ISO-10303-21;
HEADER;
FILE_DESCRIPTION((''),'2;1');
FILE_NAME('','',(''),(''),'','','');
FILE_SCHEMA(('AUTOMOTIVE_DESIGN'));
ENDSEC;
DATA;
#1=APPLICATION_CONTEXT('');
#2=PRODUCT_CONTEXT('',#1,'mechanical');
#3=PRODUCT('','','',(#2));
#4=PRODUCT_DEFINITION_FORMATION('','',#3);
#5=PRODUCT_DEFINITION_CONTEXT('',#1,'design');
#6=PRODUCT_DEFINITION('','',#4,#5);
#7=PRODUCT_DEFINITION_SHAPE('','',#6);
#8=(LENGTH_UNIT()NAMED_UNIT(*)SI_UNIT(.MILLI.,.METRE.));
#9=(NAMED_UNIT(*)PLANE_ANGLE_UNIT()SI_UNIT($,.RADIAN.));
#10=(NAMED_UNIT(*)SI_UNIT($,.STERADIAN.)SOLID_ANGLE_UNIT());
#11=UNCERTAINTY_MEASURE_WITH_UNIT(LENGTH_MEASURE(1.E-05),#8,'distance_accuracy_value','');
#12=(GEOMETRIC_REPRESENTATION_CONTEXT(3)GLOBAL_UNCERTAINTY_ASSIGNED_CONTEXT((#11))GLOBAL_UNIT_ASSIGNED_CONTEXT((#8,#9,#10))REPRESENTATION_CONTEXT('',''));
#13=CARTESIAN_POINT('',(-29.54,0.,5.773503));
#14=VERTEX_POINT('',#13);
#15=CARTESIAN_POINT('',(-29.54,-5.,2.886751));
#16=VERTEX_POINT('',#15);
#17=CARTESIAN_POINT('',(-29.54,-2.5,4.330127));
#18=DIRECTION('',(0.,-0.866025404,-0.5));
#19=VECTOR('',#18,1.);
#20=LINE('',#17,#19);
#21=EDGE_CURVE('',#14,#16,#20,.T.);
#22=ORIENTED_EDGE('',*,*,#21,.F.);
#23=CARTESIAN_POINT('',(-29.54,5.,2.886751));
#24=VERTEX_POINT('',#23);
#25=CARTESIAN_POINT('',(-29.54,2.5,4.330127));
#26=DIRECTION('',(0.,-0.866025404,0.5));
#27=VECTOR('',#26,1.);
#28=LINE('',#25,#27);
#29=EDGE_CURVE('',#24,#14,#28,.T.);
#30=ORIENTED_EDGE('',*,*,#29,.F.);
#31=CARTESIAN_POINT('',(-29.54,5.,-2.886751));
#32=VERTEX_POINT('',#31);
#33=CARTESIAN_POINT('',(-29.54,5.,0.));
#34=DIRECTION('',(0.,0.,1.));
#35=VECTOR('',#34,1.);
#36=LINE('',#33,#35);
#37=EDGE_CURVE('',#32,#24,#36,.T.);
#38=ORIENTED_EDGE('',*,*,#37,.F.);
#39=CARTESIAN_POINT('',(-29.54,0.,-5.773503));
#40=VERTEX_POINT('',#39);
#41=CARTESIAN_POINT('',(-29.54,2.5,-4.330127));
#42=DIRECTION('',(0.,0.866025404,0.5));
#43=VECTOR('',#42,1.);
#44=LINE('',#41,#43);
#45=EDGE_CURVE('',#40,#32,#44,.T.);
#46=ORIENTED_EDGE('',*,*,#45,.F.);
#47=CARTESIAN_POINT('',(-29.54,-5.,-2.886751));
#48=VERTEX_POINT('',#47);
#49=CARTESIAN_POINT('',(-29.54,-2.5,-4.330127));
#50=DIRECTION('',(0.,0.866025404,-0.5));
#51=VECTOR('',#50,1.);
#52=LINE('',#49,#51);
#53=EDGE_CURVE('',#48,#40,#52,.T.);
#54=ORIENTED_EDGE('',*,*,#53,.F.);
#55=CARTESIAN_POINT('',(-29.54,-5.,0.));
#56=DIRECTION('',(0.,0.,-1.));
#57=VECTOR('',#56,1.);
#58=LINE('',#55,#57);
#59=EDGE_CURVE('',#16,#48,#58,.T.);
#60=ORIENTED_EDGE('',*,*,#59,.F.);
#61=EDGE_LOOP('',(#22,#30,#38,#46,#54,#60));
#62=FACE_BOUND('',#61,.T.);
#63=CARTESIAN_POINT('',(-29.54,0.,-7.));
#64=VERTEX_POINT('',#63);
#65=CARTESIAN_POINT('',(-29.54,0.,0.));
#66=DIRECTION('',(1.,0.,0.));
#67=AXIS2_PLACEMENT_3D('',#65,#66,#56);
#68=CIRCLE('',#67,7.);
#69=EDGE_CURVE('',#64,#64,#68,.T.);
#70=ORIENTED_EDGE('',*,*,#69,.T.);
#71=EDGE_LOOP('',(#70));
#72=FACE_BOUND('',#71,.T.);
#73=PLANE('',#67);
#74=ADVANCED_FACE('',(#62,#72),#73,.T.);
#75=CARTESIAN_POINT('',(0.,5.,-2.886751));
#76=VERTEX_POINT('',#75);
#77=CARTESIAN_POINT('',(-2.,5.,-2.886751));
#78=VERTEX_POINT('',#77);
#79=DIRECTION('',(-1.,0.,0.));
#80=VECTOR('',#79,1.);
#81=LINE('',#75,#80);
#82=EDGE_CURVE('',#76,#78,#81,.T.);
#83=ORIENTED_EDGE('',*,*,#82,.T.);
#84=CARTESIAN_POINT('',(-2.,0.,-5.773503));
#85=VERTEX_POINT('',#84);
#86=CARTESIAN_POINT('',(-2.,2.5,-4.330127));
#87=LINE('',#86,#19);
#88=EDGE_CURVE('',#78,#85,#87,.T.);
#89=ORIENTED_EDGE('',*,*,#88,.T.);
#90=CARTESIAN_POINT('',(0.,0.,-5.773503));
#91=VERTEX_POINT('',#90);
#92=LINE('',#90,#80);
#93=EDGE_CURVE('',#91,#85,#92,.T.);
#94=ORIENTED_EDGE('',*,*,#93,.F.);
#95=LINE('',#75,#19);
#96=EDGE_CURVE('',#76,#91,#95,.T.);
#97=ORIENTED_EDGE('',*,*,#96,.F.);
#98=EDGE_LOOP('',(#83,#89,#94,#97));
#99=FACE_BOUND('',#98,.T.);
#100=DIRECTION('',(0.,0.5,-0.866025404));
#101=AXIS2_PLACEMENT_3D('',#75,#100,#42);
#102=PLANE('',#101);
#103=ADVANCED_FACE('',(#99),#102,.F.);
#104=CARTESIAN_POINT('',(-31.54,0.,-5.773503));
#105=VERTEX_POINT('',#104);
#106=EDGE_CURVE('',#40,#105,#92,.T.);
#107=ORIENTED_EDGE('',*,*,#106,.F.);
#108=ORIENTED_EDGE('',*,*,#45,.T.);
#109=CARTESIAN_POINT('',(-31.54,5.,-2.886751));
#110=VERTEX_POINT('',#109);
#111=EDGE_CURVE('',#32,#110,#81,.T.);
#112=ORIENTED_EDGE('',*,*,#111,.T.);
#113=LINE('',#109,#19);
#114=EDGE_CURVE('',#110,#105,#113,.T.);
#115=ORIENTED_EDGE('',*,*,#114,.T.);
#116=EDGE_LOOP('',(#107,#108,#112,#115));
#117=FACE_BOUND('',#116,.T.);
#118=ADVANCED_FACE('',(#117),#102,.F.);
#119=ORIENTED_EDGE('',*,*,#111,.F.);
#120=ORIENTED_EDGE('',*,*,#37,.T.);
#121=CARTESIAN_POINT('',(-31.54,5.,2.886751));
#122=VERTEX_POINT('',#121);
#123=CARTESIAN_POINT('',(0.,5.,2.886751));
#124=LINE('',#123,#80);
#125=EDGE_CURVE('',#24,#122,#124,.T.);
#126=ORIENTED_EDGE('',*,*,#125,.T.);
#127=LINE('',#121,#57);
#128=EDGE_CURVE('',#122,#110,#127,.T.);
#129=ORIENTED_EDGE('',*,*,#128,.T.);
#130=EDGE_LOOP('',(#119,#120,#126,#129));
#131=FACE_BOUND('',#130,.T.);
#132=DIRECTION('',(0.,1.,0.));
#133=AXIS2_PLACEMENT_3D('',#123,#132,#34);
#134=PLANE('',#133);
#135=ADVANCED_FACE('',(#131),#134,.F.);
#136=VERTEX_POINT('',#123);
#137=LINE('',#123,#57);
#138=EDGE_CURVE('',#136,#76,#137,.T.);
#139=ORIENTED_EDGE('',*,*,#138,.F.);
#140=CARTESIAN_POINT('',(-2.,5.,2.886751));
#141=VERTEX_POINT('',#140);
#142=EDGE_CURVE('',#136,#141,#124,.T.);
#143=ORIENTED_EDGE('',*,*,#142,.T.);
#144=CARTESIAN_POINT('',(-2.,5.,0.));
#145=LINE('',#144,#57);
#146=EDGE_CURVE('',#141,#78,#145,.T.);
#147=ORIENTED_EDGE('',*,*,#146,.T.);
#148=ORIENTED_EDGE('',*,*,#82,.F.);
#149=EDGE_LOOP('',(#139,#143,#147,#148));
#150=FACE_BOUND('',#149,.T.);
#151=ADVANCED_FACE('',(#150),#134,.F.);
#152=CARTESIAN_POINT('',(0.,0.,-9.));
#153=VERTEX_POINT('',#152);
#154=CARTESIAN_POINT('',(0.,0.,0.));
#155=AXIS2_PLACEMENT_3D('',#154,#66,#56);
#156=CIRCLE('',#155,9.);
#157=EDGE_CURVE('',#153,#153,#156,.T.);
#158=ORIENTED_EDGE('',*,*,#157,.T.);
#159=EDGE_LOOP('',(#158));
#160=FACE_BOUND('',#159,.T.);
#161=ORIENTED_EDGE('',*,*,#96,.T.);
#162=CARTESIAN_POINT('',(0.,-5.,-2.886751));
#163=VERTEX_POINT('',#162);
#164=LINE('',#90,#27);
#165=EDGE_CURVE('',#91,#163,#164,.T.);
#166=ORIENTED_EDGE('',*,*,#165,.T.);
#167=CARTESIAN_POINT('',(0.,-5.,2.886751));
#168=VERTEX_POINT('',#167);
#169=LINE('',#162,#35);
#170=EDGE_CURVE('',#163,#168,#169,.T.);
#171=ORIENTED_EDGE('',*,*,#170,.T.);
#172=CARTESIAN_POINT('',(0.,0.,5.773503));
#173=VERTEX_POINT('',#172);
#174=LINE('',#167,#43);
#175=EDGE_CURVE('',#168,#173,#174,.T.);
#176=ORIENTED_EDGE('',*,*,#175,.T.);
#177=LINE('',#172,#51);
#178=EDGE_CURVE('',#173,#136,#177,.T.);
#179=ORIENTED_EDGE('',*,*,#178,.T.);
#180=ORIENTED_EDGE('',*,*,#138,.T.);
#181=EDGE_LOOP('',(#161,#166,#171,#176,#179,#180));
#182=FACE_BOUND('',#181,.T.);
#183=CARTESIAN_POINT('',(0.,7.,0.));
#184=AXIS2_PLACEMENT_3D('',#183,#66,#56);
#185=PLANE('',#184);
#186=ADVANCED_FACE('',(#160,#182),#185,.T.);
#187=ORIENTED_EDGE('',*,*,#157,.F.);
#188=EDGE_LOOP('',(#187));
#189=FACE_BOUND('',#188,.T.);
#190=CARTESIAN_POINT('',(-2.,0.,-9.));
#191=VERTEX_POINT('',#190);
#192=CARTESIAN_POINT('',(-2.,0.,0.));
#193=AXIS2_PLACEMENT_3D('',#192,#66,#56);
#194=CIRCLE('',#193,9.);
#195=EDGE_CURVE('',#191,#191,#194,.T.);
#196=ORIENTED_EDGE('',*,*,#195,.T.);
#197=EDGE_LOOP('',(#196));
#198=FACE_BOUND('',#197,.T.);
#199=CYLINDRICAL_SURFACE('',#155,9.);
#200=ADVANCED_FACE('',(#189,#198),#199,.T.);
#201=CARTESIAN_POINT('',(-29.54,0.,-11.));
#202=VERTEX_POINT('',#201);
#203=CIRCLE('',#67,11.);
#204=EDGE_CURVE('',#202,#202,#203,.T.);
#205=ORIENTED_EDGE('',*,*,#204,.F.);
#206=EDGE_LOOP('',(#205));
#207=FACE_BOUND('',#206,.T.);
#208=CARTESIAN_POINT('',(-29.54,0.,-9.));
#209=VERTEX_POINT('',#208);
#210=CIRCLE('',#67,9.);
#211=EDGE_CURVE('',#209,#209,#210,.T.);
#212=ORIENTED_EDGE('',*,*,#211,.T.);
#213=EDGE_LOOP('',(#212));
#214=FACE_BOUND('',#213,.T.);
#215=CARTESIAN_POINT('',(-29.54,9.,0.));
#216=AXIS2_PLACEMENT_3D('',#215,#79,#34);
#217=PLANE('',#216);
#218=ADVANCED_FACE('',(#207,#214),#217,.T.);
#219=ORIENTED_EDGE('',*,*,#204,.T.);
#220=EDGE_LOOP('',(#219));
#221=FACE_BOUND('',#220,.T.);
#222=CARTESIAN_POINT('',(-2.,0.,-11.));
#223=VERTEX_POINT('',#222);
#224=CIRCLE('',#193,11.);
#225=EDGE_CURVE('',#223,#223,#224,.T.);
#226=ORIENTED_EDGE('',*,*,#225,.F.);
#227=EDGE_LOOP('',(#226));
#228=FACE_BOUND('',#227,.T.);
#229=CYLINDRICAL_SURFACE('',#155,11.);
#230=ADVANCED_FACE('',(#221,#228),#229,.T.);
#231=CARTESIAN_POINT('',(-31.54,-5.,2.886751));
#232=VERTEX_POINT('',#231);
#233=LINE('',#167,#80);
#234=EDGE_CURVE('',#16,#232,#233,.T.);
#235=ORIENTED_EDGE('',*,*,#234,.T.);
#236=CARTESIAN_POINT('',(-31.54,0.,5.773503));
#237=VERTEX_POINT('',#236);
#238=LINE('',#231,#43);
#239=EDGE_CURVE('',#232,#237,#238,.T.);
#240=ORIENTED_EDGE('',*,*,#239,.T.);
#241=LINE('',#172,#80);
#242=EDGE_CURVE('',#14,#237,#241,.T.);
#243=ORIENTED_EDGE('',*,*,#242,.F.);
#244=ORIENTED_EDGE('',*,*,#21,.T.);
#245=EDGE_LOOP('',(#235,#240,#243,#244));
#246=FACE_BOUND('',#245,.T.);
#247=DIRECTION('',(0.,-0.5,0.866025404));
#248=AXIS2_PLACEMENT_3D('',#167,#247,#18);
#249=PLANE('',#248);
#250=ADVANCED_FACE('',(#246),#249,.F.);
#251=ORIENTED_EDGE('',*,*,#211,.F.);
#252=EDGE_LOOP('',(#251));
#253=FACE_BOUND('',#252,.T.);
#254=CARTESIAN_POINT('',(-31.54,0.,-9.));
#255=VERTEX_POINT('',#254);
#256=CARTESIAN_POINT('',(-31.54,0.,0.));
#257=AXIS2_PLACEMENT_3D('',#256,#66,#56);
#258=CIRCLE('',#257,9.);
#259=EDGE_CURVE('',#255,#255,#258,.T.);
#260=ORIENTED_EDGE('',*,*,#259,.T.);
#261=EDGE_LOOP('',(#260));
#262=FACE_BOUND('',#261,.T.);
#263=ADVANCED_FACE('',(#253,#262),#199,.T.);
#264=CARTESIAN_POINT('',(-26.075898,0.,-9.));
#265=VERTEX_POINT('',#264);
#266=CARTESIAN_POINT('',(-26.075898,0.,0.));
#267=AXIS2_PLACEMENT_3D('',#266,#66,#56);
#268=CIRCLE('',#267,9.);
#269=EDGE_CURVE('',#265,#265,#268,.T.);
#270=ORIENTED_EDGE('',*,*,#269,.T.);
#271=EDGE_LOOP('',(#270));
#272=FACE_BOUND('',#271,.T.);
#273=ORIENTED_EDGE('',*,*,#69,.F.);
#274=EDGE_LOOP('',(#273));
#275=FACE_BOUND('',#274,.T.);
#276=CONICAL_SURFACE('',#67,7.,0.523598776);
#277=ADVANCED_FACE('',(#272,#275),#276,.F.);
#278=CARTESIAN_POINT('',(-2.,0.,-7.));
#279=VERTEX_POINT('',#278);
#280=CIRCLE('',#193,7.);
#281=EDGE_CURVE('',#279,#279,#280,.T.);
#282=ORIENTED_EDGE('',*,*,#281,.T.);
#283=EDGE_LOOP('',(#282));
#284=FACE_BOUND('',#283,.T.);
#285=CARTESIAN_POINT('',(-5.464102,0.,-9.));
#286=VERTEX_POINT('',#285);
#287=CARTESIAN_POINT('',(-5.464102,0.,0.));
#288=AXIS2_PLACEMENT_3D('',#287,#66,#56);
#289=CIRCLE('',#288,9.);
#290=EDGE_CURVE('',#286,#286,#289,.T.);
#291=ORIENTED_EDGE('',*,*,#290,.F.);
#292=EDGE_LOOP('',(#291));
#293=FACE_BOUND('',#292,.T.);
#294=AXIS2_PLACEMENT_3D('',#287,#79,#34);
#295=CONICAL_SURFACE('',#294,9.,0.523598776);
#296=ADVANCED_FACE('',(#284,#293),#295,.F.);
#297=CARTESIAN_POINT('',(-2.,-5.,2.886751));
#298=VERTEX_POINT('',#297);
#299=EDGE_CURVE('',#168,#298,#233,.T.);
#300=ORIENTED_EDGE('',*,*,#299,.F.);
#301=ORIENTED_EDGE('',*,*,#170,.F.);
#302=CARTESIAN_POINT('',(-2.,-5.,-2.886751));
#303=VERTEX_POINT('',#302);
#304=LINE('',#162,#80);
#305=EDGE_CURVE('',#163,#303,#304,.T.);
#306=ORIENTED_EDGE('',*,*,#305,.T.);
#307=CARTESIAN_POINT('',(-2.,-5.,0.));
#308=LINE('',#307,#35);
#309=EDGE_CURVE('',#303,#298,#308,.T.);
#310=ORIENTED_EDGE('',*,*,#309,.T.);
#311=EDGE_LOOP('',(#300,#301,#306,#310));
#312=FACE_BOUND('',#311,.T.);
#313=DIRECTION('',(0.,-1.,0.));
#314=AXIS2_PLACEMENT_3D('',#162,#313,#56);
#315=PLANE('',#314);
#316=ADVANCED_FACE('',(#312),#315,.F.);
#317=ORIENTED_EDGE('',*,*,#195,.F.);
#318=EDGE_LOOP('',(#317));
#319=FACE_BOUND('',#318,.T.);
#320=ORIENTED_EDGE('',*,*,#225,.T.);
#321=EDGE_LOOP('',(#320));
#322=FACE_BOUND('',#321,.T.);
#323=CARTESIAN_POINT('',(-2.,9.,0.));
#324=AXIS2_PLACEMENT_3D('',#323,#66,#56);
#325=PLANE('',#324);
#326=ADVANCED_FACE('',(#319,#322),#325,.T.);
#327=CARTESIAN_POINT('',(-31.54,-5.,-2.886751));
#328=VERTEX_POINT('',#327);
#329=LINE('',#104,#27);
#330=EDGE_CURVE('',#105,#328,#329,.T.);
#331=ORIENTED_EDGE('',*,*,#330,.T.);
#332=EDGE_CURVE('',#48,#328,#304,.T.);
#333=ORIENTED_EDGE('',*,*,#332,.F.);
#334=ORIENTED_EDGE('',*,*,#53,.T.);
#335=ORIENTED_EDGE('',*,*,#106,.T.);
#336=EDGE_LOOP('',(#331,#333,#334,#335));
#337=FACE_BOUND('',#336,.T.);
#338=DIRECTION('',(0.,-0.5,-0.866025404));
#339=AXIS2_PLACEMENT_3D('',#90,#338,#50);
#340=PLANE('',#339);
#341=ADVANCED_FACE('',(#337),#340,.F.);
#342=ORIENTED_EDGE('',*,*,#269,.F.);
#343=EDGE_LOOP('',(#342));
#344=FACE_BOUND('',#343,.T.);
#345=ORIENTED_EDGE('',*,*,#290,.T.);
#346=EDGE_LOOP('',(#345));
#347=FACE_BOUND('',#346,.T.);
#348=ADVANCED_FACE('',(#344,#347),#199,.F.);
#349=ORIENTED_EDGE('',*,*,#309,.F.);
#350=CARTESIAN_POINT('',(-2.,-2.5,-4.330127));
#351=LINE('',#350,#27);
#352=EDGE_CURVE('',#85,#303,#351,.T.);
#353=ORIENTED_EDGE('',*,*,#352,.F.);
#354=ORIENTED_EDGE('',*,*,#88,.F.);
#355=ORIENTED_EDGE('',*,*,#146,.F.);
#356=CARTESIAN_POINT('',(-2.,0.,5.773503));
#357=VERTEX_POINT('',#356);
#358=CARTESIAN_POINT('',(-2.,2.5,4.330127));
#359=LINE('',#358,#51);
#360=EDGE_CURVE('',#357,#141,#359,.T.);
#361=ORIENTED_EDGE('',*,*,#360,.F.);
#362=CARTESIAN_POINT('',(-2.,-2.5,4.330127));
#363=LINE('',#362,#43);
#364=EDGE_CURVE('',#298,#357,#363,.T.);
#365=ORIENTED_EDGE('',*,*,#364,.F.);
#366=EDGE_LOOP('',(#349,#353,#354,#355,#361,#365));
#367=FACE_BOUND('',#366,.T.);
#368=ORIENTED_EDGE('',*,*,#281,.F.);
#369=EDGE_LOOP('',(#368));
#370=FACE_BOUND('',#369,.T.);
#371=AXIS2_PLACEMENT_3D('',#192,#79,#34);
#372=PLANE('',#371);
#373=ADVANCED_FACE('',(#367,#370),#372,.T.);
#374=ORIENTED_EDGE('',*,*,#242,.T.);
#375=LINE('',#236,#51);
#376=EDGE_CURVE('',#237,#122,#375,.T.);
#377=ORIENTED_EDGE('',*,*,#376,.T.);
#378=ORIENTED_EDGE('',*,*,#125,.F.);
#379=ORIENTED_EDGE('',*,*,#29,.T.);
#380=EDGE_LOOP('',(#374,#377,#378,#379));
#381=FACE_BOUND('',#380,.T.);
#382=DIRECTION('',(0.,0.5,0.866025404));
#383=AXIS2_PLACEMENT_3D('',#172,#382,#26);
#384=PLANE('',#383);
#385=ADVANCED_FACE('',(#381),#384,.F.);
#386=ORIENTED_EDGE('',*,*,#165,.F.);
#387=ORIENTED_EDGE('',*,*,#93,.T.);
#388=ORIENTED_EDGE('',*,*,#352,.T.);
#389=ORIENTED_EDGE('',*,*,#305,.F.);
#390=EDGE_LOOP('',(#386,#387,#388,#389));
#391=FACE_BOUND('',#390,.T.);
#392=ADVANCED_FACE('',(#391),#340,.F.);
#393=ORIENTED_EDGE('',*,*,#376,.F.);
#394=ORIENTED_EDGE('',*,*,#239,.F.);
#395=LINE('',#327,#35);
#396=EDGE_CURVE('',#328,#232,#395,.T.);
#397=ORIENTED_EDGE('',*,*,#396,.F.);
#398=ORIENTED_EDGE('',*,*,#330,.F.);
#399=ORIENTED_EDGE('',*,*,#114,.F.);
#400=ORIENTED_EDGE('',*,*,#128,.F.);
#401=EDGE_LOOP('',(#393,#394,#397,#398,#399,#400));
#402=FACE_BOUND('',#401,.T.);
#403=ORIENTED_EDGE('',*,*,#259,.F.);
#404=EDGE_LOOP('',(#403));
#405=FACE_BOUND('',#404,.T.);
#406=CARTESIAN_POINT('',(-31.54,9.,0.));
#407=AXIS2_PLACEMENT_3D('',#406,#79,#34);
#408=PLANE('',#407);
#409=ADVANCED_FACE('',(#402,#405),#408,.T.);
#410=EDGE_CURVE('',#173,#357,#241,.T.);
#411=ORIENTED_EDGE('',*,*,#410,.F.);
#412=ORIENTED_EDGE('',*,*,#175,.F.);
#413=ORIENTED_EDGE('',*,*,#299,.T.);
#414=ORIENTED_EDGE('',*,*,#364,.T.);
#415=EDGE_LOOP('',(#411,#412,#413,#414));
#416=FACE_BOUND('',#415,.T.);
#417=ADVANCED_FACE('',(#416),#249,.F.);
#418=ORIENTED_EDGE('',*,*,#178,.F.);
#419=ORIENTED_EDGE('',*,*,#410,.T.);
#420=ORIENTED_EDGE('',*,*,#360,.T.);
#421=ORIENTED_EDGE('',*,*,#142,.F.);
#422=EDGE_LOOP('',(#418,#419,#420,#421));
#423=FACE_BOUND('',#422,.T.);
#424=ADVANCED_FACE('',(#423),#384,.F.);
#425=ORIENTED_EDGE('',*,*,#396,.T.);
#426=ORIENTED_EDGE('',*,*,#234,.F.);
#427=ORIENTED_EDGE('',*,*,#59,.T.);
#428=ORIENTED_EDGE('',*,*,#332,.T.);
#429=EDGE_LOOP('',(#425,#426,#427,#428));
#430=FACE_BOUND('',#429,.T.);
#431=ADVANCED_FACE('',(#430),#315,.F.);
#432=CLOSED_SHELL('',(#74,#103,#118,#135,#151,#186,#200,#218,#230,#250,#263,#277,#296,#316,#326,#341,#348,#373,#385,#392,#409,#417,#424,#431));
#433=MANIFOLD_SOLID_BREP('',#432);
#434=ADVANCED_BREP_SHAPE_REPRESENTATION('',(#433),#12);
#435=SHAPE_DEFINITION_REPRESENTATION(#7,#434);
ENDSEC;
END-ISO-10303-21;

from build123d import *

# Parameters (mm, degrees)
CUT_EXTRUDE1_DEPTH = 36.167763648


with BuildPart() as part:
    # Sketch4 → Revolve2 (revolve)
    with BuildSketch(Plane.XY, mode=Mode.PRIVATE) as revolve2_sk:
        Polygon((-29.54, 11), (-2, 11), (-2, 9), (0, 9), (0, 7), (0, 0), (-2, 0), (-2, 7), (-5.464101615, 9), (-26.075898385, 9), (-29.54, 7), (-29.54, 0), (-31.54, 0), (-31.54, 7), (-31.54, 9), (-29.54, 9), align=None)
    revolve(revolve2_sk.sketch.rotate(Axis((0, 0, 0), (-1, 0, 0)), 90), axis=Axis((0, 0, 0), (-1, 0, 0)))

    # Sketch5 → Cut-Extrude1 (cut, through all)
    with BuildSketch(Plane.ZY.offset(31.54)):
        Polygon((-2.886751346, 5), (-5.773502692, 0), (-2.886751346, -5), (2.886751346, -5), (5.773502692, 0), (2.886751346, 5), align=None)
    extrude(amount=-CUT_EXTRUDE1_DEPTH, mode=Mode.SUBTRACT)


solid = part.part
